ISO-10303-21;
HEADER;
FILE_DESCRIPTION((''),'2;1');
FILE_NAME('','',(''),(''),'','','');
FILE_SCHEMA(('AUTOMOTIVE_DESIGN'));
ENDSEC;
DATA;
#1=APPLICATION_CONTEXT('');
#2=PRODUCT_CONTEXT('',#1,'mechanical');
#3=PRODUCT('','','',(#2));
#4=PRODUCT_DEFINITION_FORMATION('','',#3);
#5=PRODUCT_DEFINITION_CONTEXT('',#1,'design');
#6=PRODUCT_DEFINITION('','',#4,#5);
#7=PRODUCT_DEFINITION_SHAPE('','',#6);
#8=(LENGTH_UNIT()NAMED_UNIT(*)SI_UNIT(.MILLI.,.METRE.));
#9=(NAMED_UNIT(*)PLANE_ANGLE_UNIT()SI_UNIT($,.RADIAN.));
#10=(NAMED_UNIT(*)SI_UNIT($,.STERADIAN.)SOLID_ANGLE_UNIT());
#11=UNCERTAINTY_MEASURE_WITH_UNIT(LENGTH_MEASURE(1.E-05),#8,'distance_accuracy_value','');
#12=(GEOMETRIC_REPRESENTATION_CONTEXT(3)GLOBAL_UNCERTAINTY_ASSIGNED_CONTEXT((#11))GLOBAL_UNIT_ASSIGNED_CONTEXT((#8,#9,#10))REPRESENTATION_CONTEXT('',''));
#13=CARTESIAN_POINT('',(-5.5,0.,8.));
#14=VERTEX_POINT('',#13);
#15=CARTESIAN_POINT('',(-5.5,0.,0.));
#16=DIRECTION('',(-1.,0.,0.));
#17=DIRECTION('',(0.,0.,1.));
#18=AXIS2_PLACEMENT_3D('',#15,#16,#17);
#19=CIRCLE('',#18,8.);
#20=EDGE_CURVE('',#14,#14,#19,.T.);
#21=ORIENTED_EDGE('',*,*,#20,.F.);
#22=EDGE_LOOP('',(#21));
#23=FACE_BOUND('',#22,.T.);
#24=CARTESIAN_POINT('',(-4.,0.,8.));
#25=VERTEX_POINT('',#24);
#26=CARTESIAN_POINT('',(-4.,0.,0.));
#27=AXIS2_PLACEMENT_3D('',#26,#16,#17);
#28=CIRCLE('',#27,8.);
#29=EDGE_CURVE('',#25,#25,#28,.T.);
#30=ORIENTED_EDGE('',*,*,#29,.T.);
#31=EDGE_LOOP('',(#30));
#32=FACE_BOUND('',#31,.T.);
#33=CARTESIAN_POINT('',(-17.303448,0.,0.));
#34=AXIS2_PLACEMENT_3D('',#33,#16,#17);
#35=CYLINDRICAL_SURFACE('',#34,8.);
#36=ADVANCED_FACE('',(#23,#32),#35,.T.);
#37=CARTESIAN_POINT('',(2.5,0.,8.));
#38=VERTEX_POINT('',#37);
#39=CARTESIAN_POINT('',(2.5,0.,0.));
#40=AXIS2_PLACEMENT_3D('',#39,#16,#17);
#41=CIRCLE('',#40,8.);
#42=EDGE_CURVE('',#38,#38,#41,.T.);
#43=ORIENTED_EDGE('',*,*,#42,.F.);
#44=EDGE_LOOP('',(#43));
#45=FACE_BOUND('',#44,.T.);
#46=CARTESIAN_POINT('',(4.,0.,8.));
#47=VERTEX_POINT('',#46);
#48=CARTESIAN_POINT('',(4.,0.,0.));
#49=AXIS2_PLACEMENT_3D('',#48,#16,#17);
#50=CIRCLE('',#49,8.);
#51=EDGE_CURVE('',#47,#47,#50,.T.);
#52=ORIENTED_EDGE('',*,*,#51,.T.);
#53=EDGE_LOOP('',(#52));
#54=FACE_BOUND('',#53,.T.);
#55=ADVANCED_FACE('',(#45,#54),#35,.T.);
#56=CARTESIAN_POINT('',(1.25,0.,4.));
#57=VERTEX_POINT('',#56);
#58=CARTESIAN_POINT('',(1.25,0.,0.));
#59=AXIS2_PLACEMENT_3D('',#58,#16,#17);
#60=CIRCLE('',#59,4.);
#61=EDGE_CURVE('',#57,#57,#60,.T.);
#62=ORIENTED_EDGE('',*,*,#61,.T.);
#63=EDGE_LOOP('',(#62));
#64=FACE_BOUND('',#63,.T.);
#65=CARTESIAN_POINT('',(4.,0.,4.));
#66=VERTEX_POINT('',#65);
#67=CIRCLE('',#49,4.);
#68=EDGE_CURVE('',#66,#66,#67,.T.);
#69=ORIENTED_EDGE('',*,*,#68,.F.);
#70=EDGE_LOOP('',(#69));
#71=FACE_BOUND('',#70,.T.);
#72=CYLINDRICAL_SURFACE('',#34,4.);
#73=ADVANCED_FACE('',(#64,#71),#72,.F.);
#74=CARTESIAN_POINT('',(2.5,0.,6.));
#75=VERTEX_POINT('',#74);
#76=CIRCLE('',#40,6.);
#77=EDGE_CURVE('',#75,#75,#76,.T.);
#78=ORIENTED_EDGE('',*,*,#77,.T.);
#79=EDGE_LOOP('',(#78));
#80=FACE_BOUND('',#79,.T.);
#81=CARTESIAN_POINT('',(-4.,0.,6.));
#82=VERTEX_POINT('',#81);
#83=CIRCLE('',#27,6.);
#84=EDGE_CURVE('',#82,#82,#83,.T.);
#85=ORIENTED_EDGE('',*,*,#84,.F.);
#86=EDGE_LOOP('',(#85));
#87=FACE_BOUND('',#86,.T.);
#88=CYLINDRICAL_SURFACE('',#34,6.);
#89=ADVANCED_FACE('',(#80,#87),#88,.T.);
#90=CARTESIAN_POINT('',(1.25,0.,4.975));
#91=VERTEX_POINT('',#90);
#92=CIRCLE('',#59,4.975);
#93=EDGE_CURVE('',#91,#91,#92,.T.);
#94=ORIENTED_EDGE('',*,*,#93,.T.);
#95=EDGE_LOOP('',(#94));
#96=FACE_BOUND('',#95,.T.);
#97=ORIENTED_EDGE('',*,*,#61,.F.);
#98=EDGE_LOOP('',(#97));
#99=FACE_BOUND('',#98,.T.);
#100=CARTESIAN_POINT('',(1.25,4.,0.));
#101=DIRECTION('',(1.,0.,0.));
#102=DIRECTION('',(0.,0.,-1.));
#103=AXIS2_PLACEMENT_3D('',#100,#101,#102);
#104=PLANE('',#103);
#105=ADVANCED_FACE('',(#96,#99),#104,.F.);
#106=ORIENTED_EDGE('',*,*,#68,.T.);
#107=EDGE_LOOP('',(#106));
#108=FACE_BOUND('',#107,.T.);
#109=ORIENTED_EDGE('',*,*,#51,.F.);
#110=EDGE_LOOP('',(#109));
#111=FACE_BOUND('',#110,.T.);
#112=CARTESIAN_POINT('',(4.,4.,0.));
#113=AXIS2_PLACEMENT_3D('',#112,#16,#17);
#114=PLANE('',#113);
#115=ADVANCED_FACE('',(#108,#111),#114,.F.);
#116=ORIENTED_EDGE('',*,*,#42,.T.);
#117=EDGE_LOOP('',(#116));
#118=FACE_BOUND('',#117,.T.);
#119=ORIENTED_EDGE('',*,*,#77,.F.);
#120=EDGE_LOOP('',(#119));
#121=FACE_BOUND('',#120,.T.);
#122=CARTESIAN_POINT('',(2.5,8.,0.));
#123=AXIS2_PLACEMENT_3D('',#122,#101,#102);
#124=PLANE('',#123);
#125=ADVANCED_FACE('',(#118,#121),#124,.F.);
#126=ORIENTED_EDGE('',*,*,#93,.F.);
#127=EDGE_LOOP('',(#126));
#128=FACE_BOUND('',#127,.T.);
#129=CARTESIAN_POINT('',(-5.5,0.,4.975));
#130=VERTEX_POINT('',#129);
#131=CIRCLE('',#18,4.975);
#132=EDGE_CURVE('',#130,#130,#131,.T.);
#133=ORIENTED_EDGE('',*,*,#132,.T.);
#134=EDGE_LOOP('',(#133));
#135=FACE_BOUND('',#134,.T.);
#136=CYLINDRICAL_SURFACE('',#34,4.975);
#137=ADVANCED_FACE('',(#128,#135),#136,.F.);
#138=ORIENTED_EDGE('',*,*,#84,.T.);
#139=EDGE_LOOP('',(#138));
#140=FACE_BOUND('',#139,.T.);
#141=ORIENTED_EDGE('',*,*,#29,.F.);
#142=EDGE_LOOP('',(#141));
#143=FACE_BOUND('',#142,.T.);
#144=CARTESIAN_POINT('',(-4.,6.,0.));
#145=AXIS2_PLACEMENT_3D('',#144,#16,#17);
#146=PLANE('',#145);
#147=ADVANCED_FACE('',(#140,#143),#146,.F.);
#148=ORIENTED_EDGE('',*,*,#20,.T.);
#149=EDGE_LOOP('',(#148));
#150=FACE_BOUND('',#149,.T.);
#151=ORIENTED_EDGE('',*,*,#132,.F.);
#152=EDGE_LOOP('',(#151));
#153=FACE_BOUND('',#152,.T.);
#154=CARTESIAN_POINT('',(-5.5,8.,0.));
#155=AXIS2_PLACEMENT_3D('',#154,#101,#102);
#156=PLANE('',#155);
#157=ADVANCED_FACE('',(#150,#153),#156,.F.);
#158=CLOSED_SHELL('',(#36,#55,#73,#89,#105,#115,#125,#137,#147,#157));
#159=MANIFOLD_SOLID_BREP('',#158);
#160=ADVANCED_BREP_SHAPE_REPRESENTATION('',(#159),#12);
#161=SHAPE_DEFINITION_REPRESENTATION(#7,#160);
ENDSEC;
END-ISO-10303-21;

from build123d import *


with BuildPart() as part:
    # Esquisse2 → Révolution1 (revolve)
    with BuildSketch(Plane.XY):
        Polygon((-5.5, 4.975), (1.25, 4.975), (1.25, 4), (4, 4), (4, 8), (2.5, 8), (2.5, 6), (-4, 6), (-4, 8), (-5.5, 8), align=None)
    revolve(axis=Axis((-17.303448276, 0, 0), (1, 0, 0)))


solid = part.part
